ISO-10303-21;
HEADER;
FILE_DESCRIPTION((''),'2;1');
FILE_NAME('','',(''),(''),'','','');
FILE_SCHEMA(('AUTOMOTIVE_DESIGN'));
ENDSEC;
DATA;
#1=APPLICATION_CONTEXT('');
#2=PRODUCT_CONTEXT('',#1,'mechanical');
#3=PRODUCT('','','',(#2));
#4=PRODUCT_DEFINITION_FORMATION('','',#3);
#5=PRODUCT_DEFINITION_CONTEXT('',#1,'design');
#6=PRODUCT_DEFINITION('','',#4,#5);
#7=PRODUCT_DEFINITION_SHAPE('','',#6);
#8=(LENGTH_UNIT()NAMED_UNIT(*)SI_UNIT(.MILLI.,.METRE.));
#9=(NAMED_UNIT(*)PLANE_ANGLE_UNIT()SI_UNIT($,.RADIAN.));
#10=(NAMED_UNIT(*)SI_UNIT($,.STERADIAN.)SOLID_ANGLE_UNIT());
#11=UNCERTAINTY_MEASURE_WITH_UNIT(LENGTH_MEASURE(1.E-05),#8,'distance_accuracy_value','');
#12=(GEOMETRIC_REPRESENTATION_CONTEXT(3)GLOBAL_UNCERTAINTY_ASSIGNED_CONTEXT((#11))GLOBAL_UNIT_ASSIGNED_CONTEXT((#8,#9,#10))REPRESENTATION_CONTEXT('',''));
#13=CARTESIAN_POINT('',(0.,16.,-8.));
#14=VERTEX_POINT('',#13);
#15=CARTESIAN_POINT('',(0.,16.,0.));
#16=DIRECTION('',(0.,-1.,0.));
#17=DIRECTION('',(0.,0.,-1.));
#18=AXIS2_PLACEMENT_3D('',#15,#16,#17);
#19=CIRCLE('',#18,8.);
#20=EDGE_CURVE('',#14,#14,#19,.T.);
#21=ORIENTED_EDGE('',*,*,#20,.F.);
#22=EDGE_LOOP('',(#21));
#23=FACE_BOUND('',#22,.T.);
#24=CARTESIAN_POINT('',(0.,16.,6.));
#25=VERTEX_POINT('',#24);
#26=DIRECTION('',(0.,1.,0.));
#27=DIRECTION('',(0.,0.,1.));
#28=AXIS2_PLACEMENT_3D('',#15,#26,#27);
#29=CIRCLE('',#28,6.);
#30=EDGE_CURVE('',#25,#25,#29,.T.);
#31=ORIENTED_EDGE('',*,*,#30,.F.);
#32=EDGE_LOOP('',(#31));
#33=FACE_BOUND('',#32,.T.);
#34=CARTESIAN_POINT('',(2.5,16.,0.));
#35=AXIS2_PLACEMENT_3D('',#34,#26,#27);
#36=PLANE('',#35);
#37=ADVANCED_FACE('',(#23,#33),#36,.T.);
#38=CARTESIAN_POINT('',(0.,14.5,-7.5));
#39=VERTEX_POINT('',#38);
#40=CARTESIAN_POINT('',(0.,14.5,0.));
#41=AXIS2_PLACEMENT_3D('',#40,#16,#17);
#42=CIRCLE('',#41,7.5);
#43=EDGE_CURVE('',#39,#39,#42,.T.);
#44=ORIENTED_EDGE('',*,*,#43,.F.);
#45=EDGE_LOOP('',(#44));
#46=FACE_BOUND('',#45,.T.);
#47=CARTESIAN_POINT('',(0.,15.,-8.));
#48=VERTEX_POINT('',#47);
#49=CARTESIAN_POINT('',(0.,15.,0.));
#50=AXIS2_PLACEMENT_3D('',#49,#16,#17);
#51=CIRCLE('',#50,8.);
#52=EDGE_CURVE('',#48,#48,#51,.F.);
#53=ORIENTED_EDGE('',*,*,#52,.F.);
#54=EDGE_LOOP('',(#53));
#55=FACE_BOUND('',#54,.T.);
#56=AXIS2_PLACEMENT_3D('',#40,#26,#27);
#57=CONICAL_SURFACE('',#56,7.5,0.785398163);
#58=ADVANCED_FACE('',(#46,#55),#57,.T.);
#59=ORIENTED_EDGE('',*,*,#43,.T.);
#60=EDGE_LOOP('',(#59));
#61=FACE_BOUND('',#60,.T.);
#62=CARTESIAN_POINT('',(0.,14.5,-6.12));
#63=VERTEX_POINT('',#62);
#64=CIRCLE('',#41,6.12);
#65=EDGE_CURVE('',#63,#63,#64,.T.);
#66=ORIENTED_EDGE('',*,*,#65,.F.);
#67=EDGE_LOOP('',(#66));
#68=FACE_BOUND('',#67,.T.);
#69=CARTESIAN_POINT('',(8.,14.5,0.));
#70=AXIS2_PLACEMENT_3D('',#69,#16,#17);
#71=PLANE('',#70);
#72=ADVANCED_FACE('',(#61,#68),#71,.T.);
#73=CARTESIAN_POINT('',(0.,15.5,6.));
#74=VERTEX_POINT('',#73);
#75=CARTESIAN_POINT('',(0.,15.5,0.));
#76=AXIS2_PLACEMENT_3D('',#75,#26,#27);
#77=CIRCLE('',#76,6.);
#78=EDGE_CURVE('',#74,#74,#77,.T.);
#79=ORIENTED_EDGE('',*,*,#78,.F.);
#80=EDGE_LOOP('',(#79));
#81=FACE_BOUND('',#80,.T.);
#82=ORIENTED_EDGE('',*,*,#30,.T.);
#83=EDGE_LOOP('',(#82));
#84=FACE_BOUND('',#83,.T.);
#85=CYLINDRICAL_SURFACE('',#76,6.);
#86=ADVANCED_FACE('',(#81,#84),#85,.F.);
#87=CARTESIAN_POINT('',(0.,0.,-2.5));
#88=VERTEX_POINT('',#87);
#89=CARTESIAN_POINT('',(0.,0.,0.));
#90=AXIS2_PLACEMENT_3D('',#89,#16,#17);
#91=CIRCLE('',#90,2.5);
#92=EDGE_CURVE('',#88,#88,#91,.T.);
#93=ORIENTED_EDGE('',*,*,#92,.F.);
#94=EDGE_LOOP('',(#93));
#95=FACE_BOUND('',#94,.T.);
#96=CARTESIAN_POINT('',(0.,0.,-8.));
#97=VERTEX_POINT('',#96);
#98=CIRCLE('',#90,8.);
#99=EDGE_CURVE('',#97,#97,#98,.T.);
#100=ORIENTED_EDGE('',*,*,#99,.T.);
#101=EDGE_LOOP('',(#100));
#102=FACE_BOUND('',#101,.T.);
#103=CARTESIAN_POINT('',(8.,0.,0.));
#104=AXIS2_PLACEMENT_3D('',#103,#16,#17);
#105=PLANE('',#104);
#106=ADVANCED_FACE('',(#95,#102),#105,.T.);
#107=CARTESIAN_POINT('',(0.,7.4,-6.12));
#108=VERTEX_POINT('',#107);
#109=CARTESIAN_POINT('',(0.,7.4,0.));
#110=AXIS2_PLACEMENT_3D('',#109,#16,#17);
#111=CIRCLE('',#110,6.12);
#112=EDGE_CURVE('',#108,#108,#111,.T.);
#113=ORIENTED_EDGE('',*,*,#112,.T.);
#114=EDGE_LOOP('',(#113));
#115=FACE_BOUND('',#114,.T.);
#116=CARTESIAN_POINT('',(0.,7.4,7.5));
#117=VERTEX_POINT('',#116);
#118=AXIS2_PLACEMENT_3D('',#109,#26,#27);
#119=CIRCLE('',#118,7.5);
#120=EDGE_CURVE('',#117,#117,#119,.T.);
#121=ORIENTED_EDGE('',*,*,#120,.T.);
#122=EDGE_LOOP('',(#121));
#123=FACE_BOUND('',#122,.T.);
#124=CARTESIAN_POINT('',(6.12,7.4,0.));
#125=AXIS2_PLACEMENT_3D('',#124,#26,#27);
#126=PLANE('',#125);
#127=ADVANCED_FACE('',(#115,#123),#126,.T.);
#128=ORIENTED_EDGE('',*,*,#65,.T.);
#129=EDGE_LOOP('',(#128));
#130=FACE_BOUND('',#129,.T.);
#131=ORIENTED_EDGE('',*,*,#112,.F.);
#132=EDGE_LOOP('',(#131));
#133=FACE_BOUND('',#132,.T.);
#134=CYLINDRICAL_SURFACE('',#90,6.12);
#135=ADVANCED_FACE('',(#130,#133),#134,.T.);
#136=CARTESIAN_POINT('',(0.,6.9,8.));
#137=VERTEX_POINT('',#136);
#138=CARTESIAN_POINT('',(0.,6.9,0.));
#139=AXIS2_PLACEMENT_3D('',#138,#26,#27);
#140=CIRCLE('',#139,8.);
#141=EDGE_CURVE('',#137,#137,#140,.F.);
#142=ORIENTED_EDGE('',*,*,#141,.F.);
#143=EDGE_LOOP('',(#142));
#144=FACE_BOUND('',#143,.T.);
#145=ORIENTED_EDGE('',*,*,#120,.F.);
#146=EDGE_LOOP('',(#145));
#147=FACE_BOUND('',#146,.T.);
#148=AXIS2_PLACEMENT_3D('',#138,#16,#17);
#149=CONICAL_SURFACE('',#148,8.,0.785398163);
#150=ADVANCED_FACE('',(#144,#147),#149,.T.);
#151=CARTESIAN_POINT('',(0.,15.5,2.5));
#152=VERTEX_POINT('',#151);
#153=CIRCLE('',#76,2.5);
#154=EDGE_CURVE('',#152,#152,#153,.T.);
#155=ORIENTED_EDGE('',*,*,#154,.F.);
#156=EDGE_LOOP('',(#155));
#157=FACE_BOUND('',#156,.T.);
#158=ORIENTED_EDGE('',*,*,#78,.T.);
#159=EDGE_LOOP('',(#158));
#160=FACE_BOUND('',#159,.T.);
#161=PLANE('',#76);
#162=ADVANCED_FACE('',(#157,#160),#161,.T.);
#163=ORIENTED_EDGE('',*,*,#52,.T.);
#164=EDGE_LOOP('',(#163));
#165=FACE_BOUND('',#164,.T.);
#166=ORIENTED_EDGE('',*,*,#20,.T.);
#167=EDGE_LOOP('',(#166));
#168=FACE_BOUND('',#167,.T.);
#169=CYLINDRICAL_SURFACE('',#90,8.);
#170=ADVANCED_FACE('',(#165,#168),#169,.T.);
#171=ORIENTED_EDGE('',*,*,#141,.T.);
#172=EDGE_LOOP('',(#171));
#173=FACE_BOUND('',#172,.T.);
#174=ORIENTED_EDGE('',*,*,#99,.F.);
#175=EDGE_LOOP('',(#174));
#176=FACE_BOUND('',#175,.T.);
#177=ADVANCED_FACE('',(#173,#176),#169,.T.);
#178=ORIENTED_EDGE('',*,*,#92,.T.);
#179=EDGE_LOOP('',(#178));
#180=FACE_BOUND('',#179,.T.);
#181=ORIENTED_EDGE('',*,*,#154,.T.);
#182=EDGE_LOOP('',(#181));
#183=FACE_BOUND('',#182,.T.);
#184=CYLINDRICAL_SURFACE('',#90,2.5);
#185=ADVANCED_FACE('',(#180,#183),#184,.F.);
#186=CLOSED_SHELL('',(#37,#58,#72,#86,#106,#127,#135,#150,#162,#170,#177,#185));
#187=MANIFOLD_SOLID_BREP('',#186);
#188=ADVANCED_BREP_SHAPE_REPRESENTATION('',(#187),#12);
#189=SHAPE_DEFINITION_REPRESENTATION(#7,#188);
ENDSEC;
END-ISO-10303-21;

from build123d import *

# Parameters (mm, degrees)
CHAMFER1_SIZE      = 0.5
SKETCH2_R          = 6
CUT_EXTRUDE1_DEPTH = 0.5


with BuildPart() as part:
    # Sketch1 → Revolve1 (revolve)
    with BuildSketch(Plane.XY):
        Polygon((2.5, 0), (2.5, 16), (8, 16), (8, 14.5), (6.12, 14.5), (6.12, 7.4), (8, 7.4), (8, 0), align=None)
    revolve(axis=Axis((0, 0, 0), (0, 1, 0)))

    # Chamfer1
    chamfer1_edges = [part.edges().sort_by_distance(p)[0] for p in [
        (-8, 7.4, 0),
        (-8, 14.5, 0),
    ]]
    chamfer(chamfer1_edges, length=CHAMFER1_SIZE)

    # Sketch2 → Cut-Extrude1 (cut)
    with BuildSketch(Plane(origin=(0, 16, 0), x_dir=(1, 0, 0), z_dir=(0, 1, 0))):
        Circle(SKETCH2_R)
    extrude(amount=-CUT_EXTRUDE1_DEPTH, mode=Mode.SUBTRACT)


solid = part.part
